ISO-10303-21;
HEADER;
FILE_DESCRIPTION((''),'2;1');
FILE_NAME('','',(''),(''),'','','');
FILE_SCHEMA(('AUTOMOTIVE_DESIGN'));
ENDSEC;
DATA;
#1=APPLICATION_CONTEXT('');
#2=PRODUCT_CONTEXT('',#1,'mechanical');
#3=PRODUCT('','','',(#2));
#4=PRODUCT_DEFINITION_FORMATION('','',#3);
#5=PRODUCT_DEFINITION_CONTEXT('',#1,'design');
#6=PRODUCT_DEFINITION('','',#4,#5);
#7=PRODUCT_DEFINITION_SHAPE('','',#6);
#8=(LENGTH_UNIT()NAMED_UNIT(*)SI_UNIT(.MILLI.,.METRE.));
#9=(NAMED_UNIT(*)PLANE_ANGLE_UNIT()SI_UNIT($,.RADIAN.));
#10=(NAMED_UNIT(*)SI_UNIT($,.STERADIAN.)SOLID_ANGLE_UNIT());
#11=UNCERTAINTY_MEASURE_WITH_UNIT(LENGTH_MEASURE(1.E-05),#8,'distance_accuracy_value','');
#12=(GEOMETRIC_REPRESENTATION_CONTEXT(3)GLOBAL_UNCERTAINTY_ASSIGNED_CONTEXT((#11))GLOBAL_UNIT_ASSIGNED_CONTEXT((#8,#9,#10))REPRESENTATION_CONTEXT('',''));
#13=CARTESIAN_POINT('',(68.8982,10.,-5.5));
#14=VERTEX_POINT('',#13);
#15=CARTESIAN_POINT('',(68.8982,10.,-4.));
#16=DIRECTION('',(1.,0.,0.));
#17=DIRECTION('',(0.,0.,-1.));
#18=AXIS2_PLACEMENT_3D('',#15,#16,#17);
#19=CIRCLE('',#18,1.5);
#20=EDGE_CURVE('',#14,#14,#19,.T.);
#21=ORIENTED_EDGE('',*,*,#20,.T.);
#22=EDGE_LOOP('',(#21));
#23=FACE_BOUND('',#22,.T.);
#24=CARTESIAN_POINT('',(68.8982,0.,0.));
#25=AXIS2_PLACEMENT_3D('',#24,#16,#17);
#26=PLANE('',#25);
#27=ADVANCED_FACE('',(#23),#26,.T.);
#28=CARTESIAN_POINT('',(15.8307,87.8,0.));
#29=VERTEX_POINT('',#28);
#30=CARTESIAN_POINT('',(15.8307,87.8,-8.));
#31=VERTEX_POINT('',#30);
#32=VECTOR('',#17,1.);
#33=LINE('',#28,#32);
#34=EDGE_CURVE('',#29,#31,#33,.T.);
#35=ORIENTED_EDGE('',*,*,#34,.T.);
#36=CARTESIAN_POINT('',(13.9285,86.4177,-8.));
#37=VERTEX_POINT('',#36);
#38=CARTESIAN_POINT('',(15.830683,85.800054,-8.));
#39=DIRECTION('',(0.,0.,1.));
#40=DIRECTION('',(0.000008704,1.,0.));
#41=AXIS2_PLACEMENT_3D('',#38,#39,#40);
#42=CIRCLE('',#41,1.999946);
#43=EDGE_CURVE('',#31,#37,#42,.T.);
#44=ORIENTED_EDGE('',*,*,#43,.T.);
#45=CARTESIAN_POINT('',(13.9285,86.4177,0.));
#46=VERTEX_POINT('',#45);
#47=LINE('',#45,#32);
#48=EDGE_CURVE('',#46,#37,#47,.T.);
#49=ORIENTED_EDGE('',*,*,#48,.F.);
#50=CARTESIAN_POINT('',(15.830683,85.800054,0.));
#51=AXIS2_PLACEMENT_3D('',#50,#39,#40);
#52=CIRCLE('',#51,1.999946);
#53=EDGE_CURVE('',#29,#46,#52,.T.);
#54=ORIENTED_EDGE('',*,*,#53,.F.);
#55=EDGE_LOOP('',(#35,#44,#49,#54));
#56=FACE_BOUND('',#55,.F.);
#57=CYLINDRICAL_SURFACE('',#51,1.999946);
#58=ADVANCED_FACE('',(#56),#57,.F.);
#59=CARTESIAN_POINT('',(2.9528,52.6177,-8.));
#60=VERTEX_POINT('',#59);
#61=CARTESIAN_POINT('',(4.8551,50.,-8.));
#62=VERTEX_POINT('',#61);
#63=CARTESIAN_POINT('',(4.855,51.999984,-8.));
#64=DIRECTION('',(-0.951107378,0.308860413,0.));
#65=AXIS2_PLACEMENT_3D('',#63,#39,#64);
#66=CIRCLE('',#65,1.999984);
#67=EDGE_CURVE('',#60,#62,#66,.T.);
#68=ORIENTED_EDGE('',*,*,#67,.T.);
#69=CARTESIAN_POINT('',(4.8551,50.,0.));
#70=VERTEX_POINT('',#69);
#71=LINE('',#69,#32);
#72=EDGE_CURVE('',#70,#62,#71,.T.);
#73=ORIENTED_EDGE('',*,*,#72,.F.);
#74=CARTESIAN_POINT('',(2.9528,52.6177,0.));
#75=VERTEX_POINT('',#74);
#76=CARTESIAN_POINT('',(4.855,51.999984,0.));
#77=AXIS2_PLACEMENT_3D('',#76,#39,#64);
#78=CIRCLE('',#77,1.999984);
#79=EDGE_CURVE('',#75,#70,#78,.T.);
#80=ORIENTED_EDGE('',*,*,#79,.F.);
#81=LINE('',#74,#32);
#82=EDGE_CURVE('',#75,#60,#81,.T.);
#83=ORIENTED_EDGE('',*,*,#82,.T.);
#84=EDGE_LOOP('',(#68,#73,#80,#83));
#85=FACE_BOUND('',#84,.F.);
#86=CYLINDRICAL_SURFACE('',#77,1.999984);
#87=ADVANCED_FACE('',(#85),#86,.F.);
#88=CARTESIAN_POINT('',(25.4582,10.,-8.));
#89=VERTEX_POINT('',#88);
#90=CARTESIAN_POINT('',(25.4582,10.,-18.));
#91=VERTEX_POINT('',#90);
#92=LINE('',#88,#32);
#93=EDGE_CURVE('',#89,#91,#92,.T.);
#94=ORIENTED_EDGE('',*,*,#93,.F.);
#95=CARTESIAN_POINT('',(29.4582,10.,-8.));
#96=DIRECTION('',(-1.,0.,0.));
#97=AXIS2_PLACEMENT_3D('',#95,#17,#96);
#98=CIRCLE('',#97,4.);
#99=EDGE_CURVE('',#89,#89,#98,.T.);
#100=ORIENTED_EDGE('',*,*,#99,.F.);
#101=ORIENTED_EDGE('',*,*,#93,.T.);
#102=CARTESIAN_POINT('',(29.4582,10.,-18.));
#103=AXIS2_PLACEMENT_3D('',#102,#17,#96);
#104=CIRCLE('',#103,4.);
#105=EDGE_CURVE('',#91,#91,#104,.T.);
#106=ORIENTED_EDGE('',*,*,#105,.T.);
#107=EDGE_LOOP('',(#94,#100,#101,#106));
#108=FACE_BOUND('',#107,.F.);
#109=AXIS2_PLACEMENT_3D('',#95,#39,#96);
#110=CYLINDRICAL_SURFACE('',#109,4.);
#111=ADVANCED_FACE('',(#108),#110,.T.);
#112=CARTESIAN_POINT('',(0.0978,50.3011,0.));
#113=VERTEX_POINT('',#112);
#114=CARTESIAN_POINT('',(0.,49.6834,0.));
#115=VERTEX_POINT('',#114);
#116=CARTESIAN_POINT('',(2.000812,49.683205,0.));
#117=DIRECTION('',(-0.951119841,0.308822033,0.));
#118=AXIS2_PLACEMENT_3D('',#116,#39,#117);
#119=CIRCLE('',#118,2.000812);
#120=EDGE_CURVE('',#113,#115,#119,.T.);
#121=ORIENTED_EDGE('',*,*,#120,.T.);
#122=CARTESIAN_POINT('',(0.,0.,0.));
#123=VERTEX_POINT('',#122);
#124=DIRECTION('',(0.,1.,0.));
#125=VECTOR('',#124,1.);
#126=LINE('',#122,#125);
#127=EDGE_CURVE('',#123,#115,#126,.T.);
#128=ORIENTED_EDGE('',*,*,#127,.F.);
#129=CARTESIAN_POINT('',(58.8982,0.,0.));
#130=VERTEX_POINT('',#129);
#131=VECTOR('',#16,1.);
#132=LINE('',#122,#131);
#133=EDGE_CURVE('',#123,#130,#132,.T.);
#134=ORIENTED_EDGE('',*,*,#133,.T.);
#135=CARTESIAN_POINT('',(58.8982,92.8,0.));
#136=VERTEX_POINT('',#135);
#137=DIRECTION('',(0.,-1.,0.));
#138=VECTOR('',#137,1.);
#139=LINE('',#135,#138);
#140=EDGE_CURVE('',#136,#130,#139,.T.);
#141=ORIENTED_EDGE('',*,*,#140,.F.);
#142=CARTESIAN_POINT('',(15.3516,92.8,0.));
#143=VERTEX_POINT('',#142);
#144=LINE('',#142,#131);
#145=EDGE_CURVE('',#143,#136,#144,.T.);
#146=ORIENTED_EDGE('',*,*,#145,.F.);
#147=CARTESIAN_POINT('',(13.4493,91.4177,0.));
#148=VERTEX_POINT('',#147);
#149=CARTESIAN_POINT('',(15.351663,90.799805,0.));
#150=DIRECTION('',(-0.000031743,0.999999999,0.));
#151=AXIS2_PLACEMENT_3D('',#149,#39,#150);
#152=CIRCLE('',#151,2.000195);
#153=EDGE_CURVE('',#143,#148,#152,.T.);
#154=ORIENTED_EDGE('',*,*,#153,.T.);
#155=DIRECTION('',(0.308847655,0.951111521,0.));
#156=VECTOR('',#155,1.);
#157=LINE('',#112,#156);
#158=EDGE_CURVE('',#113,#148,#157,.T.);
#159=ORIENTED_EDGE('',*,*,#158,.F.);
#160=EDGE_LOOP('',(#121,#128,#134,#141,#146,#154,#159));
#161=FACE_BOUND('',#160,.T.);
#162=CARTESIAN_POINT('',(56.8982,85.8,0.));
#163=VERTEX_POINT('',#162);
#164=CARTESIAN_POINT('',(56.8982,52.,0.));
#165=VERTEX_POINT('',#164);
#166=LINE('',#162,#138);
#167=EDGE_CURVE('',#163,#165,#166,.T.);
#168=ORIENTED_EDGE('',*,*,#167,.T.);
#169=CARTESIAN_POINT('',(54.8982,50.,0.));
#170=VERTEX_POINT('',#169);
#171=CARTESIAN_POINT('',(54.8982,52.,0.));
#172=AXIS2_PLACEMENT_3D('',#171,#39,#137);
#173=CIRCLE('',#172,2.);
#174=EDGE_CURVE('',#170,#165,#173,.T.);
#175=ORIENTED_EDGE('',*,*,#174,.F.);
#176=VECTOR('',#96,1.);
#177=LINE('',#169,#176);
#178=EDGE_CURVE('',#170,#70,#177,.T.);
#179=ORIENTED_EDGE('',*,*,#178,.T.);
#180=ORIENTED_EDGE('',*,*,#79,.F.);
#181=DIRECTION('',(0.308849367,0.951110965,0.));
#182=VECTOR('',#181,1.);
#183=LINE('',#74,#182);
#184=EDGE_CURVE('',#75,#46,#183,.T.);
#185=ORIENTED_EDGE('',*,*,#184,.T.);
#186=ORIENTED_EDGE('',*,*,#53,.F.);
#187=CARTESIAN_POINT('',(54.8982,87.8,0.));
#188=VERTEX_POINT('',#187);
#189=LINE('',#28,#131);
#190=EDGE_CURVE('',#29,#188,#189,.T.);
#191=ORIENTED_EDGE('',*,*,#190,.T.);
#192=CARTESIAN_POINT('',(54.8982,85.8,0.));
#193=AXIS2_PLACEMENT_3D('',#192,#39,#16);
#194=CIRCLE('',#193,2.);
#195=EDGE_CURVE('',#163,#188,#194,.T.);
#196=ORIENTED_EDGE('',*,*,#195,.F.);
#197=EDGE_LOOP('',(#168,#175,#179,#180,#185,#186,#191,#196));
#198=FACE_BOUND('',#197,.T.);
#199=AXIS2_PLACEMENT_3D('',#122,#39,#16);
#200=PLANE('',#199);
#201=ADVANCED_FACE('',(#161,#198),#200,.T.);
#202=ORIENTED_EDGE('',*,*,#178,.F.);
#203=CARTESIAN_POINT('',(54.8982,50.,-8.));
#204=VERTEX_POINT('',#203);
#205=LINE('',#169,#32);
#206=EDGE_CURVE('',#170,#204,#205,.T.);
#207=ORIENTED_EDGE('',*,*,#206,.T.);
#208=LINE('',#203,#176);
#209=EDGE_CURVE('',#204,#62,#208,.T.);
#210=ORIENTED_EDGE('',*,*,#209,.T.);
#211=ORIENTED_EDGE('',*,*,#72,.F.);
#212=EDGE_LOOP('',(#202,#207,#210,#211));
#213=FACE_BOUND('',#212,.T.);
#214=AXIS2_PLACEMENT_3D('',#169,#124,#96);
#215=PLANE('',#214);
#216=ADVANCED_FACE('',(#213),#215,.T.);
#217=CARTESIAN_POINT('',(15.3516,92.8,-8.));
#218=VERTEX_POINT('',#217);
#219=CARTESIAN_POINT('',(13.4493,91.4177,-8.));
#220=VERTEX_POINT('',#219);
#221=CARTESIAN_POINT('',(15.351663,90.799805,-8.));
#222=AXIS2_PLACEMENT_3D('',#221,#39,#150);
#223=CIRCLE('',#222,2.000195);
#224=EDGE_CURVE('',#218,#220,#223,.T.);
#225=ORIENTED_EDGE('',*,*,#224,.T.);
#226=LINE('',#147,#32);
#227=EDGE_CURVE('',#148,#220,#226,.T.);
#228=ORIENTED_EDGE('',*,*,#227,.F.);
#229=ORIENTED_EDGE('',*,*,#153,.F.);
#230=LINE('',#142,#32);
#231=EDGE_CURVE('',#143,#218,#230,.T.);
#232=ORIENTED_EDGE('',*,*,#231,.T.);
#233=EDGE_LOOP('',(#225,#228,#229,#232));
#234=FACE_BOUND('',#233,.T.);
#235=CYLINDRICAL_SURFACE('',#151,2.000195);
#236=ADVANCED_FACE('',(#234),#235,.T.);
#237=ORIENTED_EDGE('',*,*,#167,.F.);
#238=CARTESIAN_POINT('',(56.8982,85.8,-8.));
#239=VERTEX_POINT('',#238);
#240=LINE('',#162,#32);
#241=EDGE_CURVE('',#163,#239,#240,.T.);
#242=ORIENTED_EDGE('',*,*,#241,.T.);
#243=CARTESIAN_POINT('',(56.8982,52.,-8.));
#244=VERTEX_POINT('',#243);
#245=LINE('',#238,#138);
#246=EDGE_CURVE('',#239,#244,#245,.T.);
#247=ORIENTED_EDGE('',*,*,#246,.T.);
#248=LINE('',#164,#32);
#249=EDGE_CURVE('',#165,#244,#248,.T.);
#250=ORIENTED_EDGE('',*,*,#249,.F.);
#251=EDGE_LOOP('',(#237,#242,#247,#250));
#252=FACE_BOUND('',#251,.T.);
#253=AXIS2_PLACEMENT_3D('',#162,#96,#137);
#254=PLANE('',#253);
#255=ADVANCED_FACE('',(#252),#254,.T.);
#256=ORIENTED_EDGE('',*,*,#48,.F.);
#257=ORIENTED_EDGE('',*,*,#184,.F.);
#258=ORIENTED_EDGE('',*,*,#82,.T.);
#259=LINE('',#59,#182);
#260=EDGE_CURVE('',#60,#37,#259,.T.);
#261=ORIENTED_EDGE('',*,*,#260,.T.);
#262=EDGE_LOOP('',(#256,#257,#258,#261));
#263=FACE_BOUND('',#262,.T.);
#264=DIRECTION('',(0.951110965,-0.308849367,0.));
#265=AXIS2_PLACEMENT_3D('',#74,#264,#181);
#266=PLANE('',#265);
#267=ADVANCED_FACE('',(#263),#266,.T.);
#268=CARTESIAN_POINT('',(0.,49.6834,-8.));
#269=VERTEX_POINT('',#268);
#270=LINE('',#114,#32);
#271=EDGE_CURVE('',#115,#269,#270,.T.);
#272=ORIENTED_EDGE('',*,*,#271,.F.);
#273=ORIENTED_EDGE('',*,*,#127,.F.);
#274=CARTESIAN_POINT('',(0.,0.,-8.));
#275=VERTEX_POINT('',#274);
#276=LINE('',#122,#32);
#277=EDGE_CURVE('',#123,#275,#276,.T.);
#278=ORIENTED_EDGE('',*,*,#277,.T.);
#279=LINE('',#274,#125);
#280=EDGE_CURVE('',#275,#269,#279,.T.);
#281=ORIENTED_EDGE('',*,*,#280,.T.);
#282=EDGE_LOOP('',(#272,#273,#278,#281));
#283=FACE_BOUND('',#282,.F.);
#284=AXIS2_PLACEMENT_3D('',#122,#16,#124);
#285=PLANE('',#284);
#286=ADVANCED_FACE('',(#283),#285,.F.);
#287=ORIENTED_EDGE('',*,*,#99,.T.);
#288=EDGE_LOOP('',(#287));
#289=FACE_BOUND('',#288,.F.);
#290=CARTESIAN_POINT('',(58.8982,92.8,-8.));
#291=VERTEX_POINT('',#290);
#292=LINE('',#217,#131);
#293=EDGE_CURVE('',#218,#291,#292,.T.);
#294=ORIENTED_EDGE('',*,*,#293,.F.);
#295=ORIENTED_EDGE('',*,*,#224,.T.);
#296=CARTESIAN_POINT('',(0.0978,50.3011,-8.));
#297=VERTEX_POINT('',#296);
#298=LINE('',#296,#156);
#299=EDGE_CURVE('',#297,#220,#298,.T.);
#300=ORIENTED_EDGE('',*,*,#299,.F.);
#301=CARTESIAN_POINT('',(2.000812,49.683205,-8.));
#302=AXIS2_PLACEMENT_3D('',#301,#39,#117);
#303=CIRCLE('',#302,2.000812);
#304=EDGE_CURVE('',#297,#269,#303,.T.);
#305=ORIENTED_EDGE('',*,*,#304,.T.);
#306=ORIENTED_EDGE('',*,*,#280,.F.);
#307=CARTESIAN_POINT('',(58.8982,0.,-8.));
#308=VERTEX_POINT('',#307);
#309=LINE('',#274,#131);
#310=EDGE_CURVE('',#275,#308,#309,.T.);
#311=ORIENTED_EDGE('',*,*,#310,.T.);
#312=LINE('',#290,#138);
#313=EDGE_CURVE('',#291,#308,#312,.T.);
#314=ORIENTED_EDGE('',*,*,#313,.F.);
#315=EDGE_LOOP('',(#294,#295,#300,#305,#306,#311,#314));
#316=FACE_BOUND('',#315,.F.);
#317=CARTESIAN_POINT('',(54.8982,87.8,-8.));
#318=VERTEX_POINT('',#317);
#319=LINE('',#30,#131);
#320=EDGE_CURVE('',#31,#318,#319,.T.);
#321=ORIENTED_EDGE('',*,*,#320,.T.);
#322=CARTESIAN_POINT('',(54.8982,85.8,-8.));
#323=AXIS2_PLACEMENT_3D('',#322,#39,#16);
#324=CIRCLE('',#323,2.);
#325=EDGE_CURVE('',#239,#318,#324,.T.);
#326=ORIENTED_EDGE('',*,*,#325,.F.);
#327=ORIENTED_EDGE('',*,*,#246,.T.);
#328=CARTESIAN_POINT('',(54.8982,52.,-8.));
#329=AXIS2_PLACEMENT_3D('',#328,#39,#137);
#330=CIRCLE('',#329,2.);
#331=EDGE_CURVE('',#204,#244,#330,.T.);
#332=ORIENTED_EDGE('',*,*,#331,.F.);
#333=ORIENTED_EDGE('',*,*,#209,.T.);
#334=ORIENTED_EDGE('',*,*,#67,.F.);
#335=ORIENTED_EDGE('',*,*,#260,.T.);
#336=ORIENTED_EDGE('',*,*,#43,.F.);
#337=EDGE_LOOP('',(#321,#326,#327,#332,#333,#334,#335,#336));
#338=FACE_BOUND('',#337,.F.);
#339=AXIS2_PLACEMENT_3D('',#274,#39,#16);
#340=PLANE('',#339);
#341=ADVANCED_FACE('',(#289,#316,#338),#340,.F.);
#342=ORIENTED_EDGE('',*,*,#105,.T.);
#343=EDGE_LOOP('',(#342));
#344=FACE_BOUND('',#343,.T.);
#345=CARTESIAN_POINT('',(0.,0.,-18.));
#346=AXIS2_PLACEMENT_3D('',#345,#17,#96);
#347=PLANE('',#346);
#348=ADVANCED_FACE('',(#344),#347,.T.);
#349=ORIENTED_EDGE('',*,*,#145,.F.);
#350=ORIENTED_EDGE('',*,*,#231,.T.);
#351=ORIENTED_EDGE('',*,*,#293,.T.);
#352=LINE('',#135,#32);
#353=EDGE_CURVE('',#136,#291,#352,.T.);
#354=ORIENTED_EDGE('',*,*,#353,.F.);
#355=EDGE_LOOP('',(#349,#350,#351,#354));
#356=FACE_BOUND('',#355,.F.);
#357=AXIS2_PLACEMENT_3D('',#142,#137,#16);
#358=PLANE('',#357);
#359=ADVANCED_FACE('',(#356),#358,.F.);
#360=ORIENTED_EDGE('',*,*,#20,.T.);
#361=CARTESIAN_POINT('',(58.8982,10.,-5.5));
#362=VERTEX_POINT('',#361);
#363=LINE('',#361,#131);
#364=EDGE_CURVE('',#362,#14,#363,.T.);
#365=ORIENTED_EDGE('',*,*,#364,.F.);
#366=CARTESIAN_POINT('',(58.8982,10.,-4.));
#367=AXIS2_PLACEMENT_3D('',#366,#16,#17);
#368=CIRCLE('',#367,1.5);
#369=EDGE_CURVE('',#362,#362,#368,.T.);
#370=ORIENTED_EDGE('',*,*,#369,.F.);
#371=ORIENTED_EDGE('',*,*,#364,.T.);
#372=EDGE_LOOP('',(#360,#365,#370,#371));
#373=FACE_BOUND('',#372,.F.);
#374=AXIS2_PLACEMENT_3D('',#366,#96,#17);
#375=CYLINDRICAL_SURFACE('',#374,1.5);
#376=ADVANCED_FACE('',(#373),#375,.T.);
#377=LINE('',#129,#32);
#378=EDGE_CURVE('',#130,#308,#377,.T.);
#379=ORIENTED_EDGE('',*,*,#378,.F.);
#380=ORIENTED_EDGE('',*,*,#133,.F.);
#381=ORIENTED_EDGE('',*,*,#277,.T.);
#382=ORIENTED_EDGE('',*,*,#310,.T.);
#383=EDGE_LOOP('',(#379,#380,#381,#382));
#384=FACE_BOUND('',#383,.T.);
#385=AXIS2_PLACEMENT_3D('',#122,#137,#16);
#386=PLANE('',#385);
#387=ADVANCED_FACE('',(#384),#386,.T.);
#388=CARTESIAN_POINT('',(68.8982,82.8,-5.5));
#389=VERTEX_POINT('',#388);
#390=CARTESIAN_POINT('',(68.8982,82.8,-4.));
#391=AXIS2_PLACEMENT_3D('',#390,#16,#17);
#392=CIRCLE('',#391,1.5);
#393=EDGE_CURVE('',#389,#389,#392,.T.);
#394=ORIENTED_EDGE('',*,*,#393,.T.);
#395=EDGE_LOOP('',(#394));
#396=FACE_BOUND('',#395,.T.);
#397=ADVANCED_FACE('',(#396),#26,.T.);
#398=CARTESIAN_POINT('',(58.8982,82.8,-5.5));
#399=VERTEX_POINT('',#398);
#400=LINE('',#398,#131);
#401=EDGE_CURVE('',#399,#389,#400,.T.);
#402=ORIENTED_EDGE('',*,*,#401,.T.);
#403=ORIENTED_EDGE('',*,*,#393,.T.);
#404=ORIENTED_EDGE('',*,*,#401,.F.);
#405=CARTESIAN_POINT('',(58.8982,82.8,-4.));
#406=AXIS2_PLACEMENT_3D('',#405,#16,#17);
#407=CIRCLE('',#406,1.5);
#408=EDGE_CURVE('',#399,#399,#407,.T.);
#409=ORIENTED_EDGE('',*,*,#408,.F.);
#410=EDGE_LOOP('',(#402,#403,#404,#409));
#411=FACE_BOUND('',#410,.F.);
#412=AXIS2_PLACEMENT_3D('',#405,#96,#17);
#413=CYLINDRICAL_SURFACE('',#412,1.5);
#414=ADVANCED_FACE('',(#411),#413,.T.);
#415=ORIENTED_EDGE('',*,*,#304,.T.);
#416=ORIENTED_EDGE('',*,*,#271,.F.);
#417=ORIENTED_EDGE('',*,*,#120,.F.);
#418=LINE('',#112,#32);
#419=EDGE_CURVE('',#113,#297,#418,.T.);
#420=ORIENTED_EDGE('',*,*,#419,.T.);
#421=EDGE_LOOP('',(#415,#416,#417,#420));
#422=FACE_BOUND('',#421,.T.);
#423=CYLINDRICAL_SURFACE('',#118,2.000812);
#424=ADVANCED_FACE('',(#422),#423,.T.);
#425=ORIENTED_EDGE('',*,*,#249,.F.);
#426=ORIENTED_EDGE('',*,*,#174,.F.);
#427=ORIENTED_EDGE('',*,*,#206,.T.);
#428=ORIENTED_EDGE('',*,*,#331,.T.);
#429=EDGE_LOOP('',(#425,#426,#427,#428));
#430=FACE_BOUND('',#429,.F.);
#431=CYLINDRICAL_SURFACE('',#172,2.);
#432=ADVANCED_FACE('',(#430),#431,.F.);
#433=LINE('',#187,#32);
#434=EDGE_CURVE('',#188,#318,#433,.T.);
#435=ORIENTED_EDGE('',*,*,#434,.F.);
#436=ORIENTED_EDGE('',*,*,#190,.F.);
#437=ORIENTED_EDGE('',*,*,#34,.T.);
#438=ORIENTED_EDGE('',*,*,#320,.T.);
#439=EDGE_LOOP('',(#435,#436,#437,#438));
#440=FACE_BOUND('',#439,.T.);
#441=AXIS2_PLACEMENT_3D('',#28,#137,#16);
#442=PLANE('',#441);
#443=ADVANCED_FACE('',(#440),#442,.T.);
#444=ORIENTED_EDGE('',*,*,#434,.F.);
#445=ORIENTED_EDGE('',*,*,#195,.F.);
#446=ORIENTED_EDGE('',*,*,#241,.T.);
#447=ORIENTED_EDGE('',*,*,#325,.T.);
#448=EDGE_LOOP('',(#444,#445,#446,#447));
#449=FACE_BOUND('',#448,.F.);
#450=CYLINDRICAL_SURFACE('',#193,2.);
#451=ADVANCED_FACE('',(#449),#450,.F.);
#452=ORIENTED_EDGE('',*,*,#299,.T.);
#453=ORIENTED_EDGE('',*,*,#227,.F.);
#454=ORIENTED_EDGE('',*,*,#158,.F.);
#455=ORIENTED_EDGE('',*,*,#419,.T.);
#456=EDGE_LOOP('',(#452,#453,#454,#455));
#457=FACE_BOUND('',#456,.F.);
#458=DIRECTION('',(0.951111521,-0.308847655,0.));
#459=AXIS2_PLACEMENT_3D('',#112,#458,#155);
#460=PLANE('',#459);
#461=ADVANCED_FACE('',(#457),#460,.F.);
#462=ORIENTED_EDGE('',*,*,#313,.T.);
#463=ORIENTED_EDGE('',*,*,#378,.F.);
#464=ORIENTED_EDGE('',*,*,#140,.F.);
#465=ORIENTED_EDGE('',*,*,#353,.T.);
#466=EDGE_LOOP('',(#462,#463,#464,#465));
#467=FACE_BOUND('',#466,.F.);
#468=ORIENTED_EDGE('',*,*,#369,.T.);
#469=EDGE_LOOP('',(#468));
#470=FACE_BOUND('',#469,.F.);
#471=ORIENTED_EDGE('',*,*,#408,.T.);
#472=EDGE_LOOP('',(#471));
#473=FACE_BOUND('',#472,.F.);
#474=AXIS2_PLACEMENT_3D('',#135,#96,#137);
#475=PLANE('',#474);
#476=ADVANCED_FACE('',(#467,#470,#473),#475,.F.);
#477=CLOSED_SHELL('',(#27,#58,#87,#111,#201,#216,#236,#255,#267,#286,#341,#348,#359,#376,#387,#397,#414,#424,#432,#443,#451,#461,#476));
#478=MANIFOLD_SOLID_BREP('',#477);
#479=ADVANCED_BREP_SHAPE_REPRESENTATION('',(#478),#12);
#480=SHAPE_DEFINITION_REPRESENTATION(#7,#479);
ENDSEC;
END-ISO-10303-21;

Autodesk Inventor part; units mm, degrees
ref_plane "YZ Plane" through (0, 0, 0) normal (1, 0, 0) x (0, 1, 0)
ref_plane "XZ Plane" through (0, 0, 0) normal (0, 1, 0) x (-1, 0, 0)
ref_plane "XY Plane" through (0, 0, 0) normal (0, 0, 1) x (1, 0, 0)
sketch "Boceto1" plane through (0, 0, 0) normal (0, 0, 1) x (1, 0, 0)
  line L0 (0, 0) -> (0, 49.6834)
  line L1 (0.0978, 50.3011) -> (13.4493, 91.4177)
  line L2 (58.8982, 92.8) -> (58.8982, 0)
  arc A0 (15.3516, 92.8) -> (13.4493, 91.4177) centre (15.3516, 90.8) ccw
  arc A1 (0.0978, 50.3011) -> (0, 49.6834) centre (2, 49.6834) ccw
  line L3 (2.9528, 52.6177) -> (13.9285, 86.4177)
  line L4 (15.8307, 87.8) -> (54.8982, 87.8)
  line L5 (56.8982, 85.8) -> (56.8982, 52)
  line L6 (54.8982, 50) -> (4.8551, 50)
  arc A2 (15.8307, 87.8) -> (13.9285, 86.4177) centre (15.8307, 85.8) ccw
  arc A3 (56.8982, 85.8) -> (54.8982, 87.8) centre (54.8982, 85.8) ccw
  arc A4 (54.8982, 50) -> (56.8982, 52) centre (54.8982, 52) ccw
  arc A5 (2.9528, 52.6177) -> (4.8551, 50) centre (4.8551, 52) ccw
  line L7 (0, 0) -> (58.8982, 0)
  line L8 (15.3516, 92.8) -> (58.8982, 92.8)
  point P0 (0, 50)
  point P1 (13.8982, 92.8)
  point P2 (2.1028, 50)
  point P3 (0.0246, 49.9961)
  dimension "d31" = 45
  dimension "d32" = 50
  dimension "d33" = 45
  dimension "d43" = 2
  dimension "d48" = 2
  dimension "d49" = 2
  dimension "d50" = 2
  dimension "d57" = 92.8
  dimension "d58" = 5
  dimension "d59" = 13.4493
  dimension "d60" = 162.01
extrude "Extrusión3" add sketch "Boceto1" against normal blind 8
sketch "Boceto2" plane through (58.8982, 0, 0) normal (1, 0, 0) x (0, 0, -1)
  circle A0 centre (4, 10) radius 1.5
  circle A1 centre (4, 82.8) radius 1.5
  line L0 (0, 0) -> (8, 0) projected
  line L1 (0, 0) -> (0, 49.6834) projected
  line L2 (0, 92.8) -> (8, 92.8) projected
  line L3 (0, 92.8) -> (0, 0) projected
  dimension "d61" = 3
  dimension "d62" = 10
  dimension "d63" = 4
  dimension "d64" = 10
  dimension "d65" = 4
extrude "Extrusión4" add sketch "Boceto2" along normal blind 10
sketch "Boceto3" plane through (0, 0, -8) normal (0, 0, -1) x (-1, 0, 0)
  circle A0 centre (-29.4582, 10) radius 4
  line L0 (-58.8982, 0) -> (0, 0) projected
  line L1 (-58.8982, 92.8) -> (-58.8982, 0) projected
  dimension "d68" = 10
  dimension "d69" = 29.44
  dimension "d72" = 8
extrude "Extrusión5" add sketch "Boceto3" along normal blind 10
properties part number "PuertaAdelante"
